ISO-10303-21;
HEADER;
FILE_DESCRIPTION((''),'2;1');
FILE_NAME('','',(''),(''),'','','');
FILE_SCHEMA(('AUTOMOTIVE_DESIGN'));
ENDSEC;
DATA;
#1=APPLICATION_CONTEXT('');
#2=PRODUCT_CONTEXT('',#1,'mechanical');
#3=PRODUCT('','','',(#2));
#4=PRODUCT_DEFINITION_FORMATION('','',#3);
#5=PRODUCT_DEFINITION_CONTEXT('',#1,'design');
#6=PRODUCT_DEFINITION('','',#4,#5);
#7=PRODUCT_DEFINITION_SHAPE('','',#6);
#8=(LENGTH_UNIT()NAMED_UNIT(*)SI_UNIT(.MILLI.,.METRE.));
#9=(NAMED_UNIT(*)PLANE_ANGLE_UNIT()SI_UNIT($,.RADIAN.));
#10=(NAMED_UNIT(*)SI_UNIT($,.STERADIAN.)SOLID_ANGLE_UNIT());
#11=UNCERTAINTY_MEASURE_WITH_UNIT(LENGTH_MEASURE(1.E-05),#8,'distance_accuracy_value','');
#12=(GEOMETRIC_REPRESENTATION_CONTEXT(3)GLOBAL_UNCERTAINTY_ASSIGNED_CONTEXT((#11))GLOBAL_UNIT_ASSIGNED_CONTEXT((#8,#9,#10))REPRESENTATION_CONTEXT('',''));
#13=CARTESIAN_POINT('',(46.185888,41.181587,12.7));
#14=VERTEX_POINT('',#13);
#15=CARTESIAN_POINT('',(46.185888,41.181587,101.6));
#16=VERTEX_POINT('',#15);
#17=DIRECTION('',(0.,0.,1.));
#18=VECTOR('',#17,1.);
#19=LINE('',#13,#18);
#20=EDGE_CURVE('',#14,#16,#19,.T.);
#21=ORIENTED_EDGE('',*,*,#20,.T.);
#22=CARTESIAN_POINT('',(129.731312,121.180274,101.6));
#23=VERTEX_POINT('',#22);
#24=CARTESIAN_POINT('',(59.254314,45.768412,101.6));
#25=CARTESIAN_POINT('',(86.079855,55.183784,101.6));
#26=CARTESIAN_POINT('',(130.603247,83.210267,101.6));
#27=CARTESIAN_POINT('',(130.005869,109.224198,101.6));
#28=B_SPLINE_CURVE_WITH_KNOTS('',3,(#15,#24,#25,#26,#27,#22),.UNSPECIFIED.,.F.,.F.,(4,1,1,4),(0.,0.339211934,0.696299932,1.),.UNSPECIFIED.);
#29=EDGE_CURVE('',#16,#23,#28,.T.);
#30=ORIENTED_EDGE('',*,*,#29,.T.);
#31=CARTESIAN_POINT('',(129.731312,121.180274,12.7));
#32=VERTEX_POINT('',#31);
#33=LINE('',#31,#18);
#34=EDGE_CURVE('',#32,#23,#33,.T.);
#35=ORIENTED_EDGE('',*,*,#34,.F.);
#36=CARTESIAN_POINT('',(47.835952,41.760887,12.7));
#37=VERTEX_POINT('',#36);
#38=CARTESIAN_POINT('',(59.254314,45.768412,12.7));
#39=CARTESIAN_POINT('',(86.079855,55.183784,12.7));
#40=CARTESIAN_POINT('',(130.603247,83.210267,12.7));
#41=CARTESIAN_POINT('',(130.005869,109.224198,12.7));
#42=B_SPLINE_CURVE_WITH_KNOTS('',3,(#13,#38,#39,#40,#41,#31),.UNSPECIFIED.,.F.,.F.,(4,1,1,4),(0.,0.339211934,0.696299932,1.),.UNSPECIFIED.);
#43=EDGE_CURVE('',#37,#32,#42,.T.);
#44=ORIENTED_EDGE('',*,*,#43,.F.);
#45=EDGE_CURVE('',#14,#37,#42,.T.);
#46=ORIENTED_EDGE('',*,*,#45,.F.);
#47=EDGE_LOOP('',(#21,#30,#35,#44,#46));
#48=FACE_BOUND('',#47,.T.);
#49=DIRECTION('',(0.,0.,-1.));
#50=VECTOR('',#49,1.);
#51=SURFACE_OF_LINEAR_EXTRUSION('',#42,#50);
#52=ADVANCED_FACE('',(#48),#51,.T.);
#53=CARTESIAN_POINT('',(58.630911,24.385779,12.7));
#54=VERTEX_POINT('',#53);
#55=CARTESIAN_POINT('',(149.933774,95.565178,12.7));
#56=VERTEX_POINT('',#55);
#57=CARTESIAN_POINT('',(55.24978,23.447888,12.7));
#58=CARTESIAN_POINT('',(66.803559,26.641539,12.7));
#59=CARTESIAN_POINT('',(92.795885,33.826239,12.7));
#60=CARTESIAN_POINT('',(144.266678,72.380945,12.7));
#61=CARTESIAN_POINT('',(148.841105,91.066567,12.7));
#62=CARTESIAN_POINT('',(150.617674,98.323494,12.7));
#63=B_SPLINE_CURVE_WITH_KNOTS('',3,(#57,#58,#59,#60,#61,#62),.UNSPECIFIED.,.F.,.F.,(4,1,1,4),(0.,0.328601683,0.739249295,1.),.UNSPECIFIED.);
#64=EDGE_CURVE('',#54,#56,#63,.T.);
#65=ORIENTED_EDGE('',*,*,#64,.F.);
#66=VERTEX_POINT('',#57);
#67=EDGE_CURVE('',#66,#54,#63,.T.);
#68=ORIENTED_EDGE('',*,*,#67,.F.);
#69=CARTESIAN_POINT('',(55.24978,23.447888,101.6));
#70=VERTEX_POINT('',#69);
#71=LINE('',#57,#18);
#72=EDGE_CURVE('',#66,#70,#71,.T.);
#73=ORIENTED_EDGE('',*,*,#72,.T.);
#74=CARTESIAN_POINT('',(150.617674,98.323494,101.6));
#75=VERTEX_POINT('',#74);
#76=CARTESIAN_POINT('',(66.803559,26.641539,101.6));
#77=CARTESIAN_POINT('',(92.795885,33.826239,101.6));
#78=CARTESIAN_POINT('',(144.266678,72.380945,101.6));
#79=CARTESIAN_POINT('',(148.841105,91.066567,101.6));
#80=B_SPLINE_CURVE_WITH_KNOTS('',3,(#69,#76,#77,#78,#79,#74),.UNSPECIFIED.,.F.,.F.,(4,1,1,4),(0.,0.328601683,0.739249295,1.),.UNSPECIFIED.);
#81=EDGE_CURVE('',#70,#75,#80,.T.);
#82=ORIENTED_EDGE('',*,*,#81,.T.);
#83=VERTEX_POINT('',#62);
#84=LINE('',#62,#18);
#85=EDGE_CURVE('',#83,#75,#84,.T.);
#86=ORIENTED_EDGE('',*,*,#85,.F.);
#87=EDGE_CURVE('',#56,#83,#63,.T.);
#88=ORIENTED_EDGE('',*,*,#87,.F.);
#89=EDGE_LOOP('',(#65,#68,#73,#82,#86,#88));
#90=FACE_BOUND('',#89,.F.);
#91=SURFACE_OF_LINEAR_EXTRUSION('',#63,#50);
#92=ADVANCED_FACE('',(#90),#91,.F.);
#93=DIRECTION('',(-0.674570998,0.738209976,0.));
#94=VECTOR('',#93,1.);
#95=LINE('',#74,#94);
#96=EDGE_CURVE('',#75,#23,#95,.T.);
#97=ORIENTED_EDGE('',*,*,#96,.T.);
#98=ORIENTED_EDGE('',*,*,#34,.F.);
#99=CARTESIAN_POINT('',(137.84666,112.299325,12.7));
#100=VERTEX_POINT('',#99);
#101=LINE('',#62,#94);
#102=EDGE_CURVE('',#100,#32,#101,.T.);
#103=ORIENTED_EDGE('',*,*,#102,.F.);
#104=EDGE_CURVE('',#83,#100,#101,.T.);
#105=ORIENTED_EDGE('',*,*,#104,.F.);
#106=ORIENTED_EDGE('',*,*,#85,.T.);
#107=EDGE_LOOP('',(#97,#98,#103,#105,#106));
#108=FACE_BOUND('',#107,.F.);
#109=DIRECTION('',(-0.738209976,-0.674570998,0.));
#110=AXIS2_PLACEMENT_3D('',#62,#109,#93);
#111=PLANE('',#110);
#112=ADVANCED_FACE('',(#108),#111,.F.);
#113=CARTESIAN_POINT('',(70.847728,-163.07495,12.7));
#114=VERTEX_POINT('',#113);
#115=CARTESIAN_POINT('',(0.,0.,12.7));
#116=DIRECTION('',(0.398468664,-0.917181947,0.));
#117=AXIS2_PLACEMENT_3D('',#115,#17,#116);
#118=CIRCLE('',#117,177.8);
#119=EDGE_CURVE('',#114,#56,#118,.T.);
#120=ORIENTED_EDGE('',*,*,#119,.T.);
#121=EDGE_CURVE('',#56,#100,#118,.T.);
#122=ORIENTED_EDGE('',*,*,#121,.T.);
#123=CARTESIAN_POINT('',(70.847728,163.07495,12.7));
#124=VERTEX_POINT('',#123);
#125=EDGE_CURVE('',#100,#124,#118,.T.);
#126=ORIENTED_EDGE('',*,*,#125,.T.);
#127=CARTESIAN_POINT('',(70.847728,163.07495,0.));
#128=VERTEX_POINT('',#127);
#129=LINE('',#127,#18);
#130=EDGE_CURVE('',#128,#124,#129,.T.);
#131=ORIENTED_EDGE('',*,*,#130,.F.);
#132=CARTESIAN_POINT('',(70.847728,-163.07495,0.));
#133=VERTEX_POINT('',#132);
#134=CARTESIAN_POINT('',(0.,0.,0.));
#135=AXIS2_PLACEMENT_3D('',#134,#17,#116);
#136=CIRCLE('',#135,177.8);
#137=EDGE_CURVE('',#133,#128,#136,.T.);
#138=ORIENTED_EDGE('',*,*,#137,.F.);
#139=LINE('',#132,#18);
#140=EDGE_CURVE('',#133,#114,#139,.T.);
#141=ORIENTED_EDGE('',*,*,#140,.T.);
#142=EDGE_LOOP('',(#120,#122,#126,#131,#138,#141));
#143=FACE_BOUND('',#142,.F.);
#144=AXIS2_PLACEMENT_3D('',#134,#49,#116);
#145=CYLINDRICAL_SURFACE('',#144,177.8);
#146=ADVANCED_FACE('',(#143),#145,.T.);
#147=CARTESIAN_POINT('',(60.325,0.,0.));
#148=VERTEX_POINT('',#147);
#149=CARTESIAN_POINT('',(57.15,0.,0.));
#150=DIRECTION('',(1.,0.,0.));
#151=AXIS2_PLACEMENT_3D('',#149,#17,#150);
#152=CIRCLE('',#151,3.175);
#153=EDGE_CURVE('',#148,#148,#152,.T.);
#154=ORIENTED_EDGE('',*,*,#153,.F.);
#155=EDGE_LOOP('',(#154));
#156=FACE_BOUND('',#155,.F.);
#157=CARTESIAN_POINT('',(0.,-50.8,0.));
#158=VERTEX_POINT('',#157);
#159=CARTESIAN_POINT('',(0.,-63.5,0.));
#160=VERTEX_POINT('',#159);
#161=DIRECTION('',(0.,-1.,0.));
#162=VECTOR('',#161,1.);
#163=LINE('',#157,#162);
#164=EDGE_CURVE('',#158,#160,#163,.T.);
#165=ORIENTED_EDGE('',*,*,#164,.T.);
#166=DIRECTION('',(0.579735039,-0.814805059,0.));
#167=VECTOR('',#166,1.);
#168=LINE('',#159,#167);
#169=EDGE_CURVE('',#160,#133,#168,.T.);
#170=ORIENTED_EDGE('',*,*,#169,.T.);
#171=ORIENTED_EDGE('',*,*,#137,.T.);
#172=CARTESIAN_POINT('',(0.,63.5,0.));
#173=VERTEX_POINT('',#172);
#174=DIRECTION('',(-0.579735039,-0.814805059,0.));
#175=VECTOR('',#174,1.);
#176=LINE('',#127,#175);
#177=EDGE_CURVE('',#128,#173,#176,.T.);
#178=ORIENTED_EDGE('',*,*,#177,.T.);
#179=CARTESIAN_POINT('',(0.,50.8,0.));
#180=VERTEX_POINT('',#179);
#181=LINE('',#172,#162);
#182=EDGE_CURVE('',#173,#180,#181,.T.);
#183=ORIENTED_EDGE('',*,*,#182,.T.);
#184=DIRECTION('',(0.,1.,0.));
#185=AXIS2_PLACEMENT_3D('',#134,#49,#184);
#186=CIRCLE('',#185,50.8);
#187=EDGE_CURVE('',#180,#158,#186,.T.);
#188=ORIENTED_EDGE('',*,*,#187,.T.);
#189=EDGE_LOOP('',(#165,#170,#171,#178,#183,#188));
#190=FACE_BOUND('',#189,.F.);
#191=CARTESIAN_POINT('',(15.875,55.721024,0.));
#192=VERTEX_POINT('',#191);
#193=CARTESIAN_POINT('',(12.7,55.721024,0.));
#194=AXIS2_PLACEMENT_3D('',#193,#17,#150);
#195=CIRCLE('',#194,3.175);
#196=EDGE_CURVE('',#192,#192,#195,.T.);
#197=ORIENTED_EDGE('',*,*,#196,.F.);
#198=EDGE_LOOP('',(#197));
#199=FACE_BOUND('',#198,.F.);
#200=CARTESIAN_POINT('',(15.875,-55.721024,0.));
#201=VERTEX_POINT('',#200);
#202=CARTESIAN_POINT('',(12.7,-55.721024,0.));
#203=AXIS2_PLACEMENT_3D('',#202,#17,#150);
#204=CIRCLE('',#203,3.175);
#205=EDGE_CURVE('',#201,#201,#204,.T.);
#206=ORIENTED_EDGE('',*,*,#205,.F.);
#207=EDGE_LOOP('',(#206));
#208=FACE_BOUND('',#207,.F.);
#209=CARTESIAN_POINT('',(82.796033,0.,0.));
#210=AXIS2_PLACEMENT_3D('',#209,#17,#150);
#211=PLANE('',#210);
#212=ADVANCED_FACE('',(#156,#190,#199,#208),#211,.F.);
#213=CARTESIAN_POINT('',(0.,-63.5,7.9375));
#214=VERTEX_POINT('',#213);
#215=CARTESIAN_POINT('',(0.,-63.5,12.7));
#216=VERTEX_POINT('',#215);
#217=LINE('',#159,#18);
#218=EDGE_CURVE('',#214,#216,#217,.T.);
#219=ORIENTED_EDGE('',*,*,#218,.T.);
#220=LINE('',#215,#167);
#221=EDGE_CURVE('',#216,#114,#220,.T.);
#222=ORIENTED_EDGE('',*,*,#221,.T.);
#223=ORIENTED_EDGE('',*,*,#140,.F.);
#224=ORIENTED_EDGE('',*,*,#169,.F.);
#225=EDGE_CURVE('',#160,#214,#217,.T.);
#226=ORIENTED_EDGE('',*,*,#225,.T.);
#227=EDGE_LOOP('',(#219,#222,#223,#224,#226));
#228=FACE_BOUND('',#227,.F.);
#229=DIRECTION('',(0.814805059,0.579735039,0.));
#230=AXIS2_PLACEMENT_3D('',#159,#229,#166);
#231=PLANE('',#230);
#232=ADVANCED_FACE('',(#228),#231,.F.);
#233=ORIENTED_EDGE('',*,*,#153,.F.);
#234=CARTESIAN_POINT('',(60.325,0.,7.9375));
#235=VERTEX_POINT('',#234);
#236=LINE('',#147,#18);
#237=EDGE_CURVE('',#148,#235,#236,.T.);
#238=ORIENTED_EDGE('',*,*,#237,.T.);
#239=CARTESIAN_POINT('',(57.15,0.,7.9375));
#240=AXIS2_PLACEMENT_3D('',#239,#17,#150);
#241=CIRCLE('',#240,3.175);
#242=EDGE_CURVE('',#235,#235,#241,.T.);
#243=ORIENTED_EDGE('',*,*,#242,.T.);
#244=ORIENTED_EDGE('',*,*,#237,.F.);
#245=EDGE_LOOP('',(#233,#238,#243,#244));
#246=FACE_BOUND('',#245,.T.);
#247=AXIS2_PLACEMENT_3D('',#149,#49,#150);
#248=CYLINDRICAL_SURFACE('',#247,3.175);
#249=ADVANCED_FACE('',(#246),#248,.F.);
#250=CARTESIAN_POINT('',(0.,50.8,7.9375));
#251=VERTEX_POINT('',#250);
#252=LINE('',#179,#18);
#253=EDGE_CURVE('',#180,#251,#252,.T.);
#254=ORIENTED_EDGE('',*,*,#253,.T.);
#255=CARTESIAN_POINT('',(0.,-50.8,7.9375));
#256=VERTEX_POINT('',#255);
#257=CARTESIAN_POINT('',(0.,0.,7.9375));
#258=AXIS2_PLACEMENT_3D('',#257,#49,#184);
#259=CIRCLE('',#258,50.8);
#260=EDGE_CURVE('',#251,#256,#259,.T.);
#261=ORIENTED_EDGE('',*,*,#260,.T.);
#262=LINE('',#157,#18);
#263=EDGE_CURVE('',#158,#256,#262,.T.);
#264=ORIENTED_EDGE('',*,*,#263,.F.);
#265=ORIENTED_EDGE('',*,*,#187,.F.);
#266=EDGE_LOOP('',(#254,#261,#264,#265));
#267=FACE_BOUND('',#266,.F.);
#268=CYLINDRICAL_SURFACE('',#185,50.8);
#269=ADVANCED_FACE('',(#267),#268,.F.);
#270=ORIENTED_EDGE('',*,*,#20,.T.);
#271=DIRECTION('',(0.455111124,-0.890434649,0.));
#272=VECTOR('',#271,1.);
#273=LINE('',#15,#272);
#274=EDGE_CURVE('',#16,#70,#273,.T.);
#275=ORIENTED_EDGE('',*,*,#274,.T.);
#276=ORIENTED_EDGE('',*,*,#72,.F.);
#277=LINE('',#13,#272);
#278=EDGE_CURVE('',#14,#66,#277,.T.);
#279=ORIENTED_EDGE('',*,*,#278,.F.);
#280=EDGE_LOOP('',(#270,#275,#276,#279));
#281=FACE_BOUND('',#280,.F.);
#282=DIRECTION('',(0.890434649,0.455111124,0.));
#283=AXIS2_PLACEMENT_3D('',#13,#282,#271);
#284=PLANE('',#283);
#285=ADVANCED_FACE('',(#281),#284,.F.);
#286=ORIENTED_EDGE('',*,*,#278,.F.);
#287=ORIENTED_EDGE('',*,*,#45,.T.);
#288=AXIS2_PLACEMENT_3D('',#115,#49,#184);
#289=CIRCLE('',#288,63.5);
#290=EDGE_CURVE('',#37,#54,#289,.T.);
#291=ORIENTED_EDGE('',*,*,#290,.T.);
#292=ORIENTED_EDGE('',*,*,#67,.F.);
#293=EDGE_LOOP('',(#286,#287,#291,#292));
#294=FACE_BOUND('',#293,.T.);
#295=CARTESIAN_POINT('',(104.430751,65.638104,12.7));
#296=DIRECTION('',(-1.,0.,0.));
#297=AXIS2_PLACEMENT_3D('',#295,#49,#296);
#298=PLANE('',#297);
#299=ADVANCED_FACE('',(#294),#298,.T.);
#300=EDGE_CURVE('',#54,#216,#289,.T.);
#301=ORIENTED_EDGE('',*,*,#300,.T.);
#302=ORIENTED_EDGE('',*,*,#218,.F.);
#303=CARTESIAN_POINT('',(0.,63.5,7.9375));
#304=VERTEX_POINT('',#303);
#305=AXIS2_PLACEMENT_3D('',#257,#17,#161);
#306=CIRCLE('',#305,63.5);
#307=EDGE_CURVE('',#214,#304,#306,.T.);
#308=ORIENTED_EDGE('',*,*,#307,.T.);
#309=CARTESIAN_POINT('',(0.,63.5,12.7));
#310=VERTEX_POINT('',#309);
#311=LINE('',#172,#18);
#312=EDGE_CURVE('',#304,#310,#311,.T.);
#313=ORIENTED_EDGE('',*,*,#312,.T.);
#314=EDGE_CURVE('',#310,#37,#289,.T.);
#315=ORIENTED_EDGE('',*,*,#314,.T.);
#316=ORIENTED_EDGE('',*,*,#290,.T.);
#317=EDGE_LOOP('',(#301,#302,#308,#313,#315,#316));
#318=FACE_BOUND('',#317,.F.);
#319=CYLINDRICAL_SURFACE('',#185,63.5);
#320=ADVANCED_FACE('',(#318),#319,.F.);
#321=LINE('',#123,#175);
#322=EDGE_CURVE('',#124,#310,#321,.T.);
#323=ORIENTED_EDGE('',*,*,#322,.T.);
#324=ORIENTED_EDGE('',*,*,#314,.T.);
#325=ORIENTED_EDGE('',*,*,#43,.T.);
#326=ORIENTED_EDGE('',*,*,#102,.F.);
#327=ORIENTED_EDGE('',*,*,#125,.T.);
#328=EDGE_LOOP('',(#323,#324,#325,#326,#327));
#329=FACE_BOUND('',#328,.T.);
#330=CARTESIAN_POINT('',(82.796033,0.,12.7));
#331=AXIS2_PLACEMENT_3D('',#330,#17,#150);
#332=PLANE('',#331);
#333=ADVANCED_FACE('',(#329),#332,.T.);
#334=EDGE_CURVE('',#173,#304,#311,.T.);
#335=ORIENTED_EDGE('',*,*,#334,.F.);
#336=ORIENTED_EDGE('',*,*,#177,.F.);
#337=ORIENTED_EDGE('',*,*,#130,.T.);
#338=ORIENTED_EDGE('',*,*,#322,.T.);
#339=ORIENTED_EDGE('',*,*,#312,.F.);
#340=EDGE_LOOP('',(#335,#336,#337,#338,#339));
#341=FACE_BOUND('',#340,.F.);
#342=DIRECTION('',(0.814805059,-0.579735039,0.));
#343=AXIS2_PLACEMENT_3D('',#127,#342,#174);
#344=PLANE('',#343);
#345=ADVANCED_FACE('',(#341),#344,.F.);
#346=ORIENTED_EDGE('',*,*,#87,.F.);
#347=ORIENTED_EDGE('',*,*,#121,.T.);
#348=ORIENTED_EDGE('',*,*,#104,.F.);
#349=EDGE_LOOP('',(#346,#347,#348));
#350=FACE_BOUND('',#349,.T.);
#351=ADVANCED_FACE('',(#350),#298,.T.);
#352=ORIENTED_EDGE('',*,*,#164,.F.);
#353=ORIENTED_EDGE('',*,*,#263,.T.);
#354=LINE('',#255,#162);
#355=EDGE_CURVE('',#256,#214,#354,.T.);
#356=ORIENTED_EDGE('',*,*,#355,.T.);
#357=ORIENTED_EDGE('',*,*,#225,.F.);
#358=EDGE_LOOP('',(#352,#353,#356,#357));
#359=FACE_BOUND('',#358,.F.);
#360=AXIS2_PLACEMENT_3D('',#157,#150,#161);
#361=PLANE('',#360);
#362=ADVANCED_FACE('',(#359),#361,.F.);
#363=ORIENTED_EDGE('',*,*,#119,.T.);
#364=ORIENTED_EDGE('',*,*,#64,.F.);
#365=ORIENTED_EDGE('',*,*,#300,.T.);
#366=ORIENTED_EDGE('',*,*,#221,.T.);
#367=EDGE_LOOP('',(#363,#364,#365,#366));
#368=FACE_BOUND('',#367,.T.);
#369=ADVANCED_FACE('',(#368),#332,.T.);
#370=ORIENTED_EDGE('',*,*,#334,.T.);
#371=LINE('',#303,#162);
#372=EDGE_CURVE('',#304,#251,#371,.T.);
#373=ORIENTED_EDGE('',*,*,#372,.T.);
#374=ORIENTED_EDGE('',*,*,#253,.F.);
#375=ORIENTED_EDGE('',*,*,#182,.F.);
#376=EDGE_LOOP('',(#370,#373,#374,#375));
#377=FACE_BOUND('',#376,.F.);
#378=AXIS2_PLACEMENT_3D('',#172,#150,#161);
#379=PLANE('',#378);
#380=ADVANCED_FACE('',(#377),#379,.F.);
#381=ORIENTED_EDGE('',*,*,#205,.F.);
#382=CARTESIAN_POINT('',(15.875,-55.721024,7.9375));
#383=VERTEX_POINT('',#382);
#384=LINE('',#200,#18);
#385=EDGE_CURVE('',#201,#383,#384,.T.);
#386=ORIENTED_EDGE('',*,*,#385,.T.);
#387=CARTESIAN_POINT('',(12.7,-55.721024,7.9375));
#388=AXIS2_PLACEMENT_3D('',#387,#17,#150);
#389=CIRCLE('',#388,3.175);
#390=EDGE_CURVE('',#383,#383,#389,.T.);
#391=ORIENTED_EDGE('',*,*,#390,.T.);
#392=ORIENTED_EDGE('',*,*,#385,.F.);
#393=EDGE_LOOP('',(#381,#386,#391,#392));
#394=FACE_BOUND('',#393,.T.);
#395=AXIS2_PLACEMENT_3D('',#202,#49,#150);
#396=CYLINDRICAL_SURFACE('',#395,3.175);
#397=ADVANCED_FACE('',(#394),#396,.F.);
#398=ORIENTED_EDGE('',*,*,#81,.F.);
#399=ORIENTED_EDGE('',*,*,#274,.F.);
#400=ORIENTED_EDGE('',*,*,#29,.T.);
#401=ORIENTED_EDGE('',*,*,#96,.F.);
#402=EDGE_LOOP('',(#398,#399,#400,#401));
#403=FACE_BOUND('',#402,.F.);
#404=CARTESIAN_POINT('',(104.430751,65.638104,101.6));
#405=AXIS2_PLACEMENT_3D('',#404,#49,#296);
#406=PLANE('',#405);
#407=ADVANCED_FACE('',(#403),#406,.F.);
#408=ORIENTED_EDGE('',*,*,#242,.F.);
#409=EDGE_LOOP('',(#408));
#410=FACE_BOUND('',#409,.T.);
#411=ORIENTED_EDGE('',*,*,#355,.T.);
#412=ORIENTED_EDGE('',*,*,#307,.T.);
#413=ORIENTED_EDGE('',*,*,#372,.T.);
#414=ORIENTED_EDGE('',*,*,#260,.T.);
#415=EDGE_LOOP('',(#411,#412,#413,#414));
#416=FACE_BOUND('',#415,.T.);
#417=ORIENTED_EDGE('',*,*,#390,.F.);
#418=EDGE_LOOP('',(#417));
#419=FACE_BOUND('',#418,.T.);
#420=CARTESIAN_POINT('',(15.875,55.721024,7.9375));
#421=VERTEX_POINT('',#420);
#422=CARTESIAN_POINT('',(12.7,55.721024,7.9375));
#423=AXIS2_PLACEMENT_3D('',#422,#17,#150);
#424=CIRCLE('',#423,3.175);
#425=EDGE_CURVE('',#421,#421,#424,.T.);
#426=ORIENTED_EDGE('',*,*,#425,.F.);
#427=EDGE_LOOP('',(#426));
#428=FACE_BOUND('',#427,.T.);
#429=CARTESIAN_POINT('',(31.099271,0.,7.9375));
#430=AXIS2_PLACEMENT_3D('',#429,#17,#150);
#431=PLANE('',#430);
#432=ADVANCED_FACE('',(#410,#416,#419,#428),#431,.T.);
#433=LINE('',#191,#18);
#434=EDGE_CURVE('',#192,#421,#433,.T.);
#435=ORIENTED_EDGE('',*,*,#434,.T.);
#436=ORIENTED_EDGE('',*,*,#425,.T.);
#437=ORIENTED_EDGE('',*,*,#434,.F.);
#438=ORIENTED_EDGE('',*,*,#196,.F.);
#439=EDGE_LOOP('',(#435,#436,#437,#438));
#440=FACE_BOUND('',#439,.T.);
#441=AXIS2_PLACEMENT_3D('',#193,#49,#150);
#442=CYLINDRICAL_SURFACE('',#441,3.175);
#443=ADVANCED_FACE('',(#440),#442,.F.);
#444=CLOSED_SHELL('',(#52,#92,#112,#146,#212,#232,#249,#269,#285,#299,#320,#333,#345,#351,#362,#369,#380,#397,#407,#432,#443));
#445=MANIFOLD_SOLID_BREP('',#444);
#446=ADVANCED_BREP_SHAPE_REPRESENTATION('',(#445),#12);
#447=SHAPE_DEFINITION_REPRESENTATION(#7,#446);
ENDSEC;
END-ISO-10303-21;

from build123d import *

# Parameters (mm, degrees)
F0_R     = 3.175
F1_DEPTH = 7.9375
F3_DEPTH = 12.7
F6_DEPTH = 88.9


with BuildPart() as f1:
    # F0 (on Top) → F1 (new body)
    with BuildSketch(Plane.XY):
        with BuildLine():
            ThreePointArc((0, 50.8), (50.8, 0), (0, -50.8))
            Line((0, -50.8), (0, -63.5))
            ThreePointArc((0, -63.5), (63.5, 0), (0, 63.5))
            Line((0, 63.5), (0, 50.8))
        make_face()
        with Locations((12.7, -55.7210238599)):
            Circle(F0_R, mode=Mode.SUBTRACT)
        with Locations((12.7, 55.7210238599)):
            Circle(F0_R, mode=Mode.SUBTRACT)
        with Locations((57.15, 0)):
            Circle(F0_R, mode=Mode.SUBTRACT)
    extrude(amount=F1_DEPTH)

    # F2 (on Top) → F3 (join)
    with BuildSketch(Plane.XY):
        with BuildLine():
            ThreePointArc((0, 63.5), (63.5, 0), (0, -63.5))
            Line((0, -63.5), (70.8477284562, -163.0749501689))
            ThreePointArc((70.8477284562, -163.0749501689), (177.8, 0), (70.8477284562, 163.0749501689))
            Line((70.8477284562, 163.0749501689), (0, 63.5))
        make_face()
    extrude(amount=F3_DEPTH)

    # F5 (on offset) → F6 (join)
    with BuildSketch(Plane.XY.offset(12.7)):
        with BuildLine():
            add(Edge.make_bspline(
                [(46.18588835, 41.1815866828), (59.2543137599, 45.7684123204), (86.0798549494, 55.1837838141), (130.6032472575, 83.2102673221), (130.0058690925, 109.2241975175), (129.7313123941, 121.1802735925)],
                knots=[0, 0, 0, 0, 0.3392119344, 0.6962999315, 1, 1, 1, 1], degree=3))
            Line((46.18588835, 41.1815866828), (55.2497804165, 23.447887972))
            add(Edge.make_bspline(
                [(55.2497804165, 23.447887972), (66.8035585634, 26.6415392462), (92.7958853953, 33.8262390606), (144.2666782475, 72.3809452741), (148.8411054612, 91.0665666373), (150.6176739931, 98.3234941959)],
                knots=[0, 0, 0, 0, 0.3286016832, 0.7392492948, 1, 1, 1, 1], degree=3))
            Line((150.6176739931, 98.3234941959), (129.7313123941, 121.1802735925))
        make_face()
    extrude(amount=F6_DEPTH)


solid = f1.part
